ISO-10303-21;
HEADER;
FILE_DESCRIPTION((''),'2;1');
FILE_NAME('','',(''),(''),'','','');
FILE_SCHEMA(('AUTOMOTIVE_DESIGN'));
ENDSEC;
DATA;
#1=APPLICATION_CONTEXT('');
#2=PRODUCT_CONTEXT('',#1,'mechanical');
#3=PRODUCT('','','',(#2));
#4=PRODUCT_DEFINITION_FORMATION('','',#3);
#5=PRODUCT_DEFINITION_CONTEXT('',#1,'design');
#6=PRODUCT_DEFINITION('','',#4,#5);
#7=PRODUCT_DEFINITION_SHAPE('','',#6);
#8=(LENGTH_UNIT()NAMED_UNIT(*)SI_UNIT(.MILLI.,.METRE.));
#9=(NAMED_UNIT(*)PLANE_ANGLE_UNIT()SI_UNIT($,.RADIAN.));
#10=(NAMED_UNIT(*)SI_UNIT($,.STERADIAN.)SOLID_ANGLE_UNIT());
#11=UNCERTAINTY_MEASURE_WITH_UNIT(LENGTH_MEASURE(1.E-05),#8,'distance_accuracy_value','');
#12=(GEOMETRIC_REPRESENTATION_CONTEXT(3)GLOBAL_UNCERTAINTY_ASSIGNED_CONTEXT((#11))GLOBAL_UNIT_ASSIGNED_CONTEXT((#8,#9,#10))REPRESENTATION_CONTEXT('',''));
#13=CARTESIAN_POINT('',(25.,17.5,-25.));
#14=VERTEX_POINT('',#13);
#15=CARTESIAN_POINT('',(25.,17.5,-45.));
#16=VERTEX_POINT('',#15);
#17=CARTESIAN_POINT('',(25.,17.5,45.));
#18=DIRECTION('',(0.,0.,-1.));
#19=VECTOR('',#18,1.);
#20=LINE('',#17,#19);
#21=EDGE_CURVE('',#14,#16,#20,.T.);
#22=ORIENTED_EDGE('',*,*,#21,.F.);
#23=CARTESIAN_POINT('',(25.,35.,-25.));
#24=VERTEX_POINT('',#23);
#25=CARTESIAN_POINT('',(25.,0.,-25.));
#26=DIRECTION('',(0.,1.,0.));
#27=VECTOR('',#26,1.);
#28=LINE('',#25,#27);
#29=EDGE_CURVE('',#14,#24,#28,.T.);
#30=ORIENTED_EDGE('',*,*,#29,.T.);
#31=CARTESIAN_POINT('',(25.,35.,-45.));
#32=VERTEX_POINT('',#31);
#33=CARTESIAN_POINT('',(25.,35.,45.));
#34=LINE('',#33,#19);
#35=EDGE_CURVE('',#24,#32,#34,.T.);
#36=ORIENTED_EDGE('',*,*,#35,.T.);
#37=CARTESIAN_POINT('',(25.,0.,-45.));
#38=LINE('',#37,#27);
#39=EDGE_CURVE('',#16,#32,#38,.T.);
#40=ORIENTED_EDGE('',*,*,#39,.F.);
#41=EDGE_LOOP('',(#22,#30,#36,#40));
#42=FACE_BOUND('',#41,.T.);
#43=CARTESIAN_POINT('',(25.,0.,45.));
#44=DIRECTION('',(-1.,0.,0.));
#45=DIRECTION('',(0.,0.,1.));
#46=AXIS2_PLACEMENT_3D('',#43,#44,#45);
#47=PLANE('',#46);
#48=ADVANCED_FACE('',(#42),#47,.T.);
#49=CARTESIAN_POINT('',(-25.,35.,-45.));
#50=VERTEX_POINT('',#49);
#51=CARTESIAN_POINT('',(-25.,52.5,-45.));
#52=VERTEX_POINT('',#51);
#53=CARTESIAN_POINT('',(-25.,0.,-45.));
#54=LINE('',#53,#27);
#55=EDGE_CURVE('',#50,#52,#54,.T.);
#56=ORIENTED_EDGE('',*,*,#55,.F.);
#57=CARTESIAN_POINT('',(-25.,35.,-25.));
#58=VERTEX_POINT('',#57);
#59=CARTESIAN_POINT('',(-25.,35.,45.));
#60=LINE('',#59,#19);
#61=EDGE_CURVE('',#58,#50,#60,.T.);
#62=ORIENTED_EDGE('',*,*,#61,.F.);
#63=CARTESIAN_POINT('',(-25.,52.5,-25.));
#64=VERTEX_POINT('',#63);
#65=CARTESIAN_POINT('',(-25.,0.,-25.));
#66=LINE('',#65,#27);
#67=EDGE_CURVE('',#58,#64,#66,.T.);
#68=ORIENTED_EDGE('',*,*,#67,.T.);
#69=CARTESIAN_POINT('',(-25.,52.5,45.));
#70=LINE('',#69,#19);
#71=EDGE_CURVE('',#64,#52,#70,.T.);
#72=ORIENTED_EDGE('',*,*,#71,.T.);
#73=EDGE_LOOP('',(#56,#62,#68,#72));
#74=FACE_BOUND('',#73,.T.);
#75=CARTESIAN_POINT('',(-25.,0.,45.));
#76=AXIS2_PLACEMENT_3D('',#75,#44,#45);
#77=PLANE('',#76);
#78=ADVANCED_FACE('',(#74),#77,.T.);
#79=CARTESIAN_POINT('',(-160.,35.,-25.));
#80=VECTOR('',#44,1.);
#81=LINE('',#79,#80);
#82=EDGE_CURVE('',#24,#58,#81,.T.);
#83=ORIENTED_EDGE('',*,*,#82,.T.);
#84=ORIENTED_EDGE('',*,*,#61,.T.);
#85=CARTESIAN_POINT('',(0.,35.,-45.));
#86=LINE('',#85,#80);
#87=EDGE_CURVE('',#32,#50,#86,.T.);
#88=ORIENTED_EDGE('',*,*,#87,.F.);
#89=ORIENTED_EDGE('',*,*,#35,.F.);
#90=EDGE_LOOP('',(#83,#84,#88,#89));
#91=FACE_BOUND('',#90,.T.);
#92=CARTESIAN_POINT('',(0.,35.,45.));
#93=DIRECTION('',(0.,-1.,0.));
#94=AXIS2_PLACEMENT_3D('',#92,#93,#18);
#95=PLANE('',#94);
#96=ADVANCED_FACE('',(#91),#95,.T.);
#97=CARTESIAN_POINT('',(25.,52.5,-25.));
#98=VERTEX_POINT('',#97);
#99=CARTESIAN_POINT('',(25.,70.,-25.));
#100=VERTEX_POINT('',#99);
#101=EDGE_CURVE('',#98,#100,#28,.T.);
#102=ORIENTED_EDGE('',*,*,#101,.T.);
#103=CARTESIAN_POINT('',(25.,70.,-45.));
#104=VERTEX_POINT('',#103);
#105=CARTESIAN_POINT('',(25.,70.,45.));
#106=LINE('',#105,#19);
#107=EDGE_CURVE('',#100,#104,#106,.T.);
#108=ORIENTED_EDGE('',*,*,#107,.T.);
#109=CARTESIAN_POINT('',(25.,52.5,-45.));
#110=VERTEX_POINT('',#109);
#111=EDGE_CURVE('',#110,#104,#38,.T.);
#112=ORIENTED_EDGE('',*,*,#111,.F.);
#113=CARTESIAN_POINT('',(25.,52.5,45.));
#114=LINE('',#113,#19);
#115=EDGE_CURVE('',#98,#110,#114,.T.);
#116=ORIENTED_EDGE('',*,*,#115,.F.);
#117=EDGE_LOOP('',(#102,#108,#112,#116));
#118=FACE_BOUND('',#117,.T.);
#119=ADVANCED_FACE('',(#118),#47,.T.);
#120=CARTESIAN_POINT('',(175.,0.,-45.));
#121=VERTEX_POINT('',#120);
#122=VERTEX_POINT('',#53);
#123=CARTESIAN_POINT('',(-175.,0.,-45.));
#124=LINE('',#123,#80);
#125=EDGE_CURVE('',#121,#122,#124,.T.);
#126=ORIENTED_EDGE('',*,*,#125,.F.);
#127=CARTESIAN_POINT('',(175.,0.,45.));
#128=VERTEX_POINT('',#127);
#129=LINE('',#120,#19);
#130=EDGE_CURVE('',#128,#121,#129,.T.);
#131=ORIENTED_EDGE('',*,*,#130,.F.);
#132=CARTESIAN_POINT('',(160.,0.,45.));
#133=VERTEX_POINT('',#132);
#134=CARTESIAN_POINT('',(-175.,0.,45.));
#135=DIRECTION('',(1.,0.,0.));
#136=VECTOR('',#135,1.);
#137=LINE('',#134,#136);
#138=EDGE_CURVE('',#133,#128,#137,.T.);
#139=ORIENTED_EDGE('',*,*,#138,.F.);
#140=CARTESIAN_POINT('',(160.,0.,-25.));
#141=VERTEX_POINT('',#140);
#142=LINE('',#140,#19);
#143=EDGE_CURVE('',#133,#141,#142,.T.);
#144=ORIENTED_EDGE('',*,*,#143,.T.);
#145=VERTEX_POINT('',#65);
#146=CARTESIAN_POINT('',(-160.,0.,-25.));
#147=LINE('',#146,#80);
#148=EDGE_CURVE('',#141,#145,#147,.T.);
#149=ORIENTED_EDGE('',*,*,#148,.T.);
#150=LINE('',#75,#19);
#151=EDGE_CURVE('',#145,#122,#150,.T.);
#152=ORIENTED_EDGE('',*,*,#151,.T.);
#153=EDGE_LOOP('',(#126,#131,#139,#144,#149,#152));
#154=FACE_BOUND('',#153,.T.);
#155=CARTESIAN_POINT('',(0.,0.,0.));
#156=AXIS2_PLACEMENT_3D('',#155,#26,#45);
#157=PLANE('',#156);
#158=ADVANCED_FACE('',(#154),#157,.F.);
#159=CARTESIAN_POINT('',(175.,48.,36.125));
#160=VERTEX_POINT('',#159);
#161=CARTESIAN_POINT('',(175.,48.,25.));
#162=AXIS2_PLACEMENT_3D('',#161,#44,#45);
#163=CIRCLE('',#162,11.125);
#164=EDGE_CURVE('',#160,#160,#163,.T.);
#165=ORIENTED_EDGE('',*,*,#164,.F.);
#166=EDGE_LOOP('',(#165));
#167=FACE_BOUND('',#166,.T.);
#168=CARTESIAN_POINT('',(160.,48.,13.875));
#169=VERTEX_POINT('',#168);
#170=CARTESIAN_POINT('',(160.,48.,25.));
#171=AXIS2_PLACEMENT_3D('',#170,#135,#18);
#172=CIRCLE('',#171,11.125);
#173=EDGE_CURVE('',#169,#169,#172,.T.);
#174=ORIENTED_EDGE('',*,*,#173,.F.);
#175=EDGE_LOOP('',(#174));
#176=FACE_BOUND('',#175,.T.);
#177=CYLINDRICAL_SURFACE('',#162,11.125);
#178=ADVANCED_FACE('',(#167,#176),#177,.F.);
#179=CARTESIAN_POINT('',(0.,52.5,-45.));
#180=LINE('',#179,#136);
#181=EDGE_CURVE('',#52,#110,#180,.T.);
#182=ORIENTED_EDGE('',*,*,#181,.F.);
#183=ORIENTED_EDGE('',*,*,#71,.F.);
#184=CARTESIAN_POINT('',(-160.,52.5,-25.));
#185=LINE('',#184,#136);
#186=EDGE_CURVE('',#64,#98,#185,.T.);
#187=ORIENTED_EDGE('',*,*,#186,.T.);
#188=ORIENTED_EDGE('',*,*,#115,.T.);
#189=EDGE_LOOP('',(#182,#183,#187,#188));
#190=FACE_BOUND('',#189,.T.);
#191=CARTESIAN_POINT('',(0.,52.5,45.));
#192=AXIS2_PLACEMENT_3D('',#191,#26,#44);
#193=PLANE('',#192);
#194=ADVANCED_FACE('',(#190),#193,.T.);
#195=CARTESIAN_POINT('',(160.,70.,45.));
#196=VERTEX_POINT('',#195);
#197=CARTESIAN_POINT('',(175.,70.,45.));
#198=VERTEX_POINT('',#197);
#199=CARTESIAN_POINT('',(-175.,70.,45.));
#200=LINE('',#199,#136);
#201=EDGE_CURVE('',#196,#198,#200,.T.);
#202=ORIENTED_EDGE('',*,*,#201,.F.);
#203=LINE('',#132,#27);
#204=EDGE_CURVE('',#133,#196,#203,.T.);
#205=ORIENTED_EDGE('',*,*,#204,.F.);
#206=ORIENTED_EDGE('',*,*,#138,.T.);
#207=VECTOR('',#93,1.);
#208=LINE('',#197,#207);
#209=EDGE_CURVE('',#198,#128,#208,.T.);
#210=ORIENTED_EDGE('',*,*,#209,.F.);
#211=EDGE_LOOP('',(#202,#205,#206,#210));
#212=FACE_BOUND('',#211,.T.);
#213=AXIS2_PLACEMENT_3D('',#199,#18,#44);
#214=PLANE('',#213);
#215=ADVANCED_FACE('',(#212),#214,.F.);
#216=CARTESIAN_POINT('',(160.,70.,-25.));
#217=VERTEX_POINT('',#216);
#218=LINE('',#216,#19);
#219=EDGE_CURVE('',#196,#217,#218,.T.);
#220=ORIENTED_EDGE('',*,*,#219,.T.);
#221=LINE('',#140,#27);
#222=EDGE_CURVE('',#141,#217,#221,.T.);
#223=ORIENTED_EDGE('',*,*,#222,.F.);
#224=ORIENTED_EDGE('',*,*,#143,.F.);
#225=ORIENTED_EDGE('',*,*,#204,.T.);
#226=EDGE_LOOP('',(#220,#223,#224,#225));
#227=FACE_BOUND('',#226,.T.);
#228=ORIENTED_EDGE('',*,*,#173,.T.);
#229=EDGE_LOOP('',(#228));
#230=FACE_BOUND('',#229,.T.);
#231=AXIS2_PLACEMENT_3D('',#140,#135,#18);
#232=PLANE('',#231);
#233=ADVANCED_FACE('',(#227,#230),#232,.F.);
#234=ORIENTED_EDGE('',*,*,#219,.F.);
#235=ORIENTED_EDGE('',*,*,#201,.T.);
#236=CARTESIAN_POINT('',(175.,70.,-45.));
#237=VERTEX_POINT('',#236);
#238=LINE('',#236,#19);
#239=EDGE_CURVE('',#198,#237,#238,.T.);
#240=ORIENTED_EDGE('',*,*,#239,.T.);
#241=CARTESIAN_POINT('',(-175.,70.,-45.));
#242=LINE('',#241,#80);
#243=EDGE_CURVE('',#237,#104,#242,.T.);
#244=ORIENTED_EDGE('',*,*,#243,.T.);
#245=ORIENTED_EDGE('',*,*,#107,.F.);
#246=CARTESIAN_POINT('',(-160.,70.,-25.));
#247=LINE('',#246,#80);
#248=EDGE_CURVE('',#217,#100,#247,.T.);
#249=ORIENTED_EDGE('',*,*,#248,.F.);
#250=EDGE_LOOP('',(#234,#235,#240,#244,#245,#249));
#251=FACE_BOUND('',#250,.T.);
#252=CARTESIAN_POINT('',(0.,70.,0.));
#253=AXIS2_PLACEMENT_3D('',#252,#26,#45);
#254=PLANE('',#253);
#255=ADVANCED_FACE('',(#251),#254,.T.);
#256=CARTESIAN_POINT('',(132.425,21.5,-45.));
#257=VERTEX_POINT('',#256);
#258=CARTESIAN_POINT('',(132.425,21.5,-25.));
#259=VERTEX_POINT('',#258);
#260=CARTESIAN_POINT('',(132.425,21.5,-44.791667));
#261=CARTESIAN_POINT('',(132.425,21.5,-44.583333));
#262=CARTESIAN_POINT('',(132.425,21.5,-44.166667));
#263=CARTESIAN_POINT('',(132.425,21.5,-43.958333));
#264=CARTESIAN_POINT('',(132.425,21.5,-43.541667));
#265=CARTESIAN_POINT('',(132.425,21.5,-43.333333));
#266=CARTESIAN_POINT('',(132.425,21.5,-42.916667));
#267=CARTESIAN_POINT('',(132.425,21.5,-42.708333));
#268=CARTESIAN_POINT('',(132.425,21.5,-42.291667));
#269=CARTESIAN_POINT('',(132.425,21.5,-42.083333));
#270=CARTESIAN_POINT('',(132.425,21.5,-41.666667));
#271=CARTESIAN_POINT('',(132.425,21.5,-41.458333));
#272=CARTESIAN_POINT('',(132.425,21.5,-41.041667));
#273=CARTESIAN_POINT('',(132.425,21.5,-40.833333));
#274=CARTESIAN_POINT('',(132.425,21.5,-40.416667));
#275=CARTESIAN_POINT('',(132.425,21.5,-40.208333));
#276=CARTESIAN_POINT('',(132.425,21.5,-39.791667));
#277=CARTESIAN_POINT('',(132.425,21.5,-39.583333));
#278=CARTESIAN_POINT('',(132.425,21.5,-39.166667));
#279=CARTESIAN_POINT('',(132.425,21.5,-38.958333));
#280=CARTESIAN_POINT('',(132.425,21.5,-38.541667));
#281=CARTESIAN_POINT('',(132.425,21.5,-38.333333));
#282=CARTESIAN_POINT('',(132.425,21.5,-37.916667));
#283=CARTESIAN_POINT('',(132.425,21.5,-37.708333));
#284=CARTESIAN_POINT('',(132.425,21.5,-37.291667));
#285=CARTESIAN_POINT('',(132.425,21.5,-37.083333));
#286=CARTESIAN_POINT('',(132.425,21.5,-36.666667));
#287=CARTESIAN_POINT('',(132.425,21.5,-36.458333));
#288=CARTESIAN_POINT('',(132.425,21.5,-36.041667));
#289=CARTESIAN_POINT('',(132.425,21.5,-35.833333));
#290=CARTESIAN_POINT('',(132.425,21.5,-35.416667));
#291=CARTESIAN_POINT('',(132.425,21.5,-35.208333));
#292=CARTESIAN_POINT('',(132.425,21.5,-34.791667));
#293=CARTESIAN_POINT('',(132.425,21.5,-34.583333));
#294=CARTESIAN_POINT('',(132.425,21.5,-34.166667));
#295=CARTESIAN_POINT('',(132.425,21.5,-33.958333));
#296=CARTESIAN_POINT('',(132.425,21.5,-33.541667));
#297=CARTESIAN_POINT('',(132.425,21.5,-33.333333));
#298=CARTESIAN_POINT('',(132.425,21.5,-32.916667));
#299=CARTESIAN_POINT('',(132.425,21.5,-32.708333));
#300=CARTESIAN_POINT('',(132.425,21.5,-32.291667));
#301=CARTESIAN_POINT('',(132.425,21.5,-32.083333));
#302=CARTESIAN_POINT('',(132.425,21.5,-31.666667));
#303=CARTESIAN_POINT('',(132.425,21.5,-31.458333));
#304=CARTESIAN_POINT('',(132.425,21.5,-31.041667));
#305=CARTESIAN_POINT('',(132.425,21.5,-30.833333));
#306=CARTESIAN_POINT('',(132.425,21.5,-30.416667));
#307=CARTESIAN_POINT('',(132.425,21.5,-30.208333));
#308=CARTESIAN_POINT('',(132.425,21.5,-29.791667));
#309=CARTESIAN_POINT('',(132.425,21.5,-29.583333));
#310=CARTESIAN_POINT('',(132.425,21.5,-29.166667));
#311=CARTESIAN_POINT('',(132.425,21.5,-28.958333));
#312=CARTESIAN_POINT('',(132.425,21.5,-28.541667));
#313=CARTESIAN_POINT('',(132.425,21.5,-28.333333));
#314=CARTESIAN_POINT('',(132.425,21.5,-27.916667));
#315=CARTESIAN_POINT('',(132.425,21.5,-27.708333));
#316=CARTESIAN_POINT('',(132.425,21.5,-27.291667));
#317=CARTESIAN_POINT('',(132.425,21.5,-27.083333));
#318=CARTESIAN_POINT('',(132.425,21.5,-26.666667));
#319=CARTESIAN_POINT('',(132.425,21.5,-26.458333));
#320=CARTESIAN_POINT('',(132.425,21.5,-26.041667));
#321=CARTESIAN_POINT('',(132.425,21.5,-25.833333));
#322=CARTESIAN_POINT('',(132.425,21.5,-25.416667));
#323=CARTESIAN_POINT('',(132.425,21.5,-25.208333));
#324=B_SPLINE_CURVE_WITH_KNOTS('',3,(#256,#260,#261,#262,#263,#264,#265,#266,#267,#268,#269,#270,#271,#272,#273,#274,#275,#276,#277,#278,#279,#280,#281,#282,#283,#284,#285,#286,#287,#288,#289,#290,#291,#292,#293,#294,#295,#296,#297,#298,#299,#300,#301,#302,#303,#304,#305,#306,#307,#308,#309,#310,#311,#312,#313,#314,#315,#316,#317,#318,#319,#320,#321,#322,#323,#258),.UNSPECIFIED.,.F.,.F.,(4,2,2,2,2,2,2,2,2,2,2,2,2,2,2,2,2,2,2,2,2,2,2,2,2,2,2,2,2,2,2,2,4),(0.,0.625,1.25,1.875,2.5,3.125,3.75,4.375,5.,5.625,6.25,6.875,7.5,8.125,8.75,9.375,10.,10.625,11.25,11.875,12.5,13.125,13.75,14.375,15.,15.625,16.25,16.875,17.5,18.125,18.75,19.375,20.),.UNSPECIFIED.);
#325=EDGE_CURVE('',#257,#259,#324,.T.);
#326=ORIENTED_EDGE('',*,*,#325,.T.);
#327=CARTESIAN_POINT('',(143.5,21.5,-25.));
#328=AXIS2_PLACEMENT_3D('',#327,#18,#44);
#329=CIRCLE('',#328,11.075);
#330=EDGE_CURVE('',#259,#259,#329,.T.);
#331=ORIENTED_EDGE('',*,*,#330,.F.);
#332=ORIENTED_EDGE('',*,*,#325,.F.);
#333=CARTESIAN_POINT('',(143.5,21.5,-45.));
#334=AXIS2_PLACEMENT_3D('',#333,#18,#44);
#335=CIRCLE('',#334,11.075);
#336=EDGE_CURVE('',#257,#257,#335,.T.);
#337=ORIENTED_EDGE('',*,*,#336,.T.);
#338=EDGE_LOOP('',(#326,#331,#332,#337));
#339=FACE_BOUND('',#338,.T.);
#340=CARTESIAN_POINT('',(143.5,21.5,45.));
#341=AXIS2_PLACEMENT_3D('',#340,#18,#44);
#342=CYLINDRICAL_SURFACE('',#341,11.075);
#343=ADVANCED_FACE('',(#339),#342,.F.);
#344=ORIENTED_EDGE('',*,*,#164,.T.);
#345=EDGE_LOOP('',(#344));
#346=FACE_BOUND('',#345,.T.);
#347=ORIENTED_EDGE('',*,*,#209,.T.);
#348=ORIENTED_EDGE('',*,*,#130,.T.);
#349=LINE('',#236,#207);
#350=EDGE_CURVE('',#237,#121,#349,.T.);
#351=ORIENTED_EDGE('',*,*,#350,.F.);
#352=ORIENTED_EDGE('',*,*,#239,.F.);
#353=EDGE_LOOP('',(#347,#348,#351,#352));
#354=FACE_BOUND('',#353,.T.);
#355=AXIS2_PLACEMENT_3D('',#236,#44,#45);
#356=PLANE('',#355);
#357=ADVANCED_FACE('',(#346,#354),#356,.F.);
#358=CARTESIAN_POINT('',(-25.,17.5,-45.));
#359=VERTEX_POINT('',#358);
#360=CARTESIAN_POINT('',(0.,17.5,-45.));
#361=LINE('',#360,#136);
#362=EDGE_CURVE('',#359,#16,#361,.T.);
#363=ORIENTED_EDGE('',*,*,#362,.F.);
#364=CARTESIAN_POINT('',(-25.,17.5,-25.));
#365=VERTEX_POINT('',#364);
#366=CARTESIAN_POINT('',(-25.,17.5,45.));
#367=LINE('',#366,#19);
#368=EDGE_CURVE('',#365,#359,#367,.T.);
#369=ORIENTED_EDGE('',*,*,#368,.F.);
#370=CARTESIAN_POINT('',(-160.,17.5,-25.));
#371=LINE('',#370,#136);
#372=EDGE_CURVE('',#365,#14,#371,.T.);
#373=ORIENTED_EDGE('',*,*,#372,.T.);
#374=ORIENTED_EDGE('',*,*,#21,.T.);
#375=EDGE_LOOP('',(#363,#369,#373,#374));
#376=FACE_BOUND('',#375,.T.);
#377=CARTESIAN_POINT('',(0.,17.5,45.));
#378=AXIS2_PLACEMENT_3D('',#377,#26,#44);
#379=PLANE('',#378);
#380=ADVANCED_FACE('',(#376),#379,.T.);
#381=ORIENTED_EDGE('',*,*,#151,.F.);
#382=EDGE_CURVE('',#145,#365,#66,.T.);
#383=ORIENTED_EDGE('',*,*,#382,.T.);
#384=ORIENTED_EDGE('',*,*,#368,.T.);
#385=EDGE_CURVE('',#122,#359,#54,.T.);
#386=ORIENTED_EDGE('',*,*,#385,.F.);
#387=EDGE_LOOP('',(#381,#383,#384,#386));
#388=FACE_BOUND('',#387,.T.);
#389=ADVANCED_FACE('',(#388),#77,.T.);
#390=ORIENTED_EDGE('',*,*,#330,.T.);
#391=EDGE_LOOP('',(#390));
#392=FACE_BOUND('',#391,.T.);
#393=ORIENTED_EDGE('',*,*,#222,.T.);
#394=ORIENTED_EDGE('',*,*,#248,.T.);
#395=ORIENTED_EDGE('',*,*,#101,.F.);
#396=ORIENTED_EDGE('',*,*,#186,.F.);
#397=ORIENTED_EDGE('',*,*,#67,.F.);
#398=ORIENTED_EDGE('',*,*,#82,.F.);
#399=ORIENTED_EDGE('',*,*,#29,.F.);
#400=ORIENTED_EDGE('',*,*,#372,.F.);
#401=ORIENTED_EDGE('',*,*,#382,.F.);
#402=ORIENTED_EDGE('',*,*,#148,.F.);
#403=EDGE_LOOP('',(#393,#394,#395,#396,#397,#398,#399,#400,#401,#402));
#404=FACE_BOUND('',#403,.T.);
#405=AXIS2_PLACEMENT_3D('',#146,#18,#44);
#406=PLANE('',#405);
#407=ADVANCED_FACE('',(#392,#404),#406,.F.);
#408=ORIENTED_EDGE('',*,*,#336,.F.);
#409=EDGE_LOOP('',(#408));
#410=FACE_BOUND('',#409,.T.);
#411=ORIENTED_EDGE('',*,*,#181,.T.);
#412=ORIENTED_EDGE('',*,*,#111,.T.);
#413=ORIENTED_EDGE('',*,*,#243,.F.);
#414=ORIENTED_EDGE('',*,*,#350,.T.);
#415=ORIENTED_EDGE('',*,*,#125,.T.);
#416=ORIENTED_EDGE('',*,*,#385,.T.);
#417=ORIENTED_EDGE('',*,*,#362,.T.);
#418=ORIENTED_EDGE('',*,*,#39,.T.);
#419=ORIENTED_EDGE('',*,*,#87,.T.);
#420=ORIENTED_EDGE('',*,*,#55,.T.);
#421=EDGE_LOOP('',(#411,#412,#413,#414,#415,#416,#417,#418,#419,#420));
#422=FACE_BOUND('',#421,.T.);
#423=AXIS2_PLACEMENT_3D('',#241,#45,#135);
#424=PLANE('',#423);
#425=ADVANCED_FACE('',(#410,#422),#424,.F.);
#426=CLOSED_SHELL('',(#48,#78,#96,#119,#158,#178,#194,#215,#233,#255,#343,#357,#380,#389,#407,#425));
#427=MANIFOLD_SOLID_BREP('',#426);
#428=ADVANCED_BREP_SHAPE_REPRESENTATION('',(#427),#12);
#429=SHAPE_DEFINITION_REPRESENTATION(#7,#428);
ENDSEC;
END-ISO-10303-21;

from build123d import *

# Parameters (mm, degrees)
CROQUIS1_W              = 350
CROQUIS1_H              = 90
SALIENTE_EXTRUIR1_DEPTH = 70
CROQUIS2_W              = 320
CROQUIS2_H              = 70
CORTAR_EXTRUIR1_DEPTH   = 194.778223751
CROQUIS3_R              = 11.125
CORTAR_EXTRUIR2_DEPTH   = 360.756862339
CROQUIS8_R              = 11.075
CORTAR_EXTRUIR3_DEPTH   = 209.865985742
CROQUIS9_R              = 11.075
CORTAR_EXTRUIR5_DEPTH   = 209.865985742


with BuildPart() as part:
    # Croquis1 → Saliente-Extruir1 (new body)
    with BuildSketch(Plane(origin=(0, 0, 0), x_dir=(1, 0, 0), z_dir=(0, 1, 0))):
        Rectangle(CROQUIS1_W, CROQUIS1_H)
    extrude(amount=SALIENTE_EXTRUIR1_DEPTH)

    # Croquis2 → Cortar-Extruir1 (cut, through all)
    with BuildSketch(Plane(origin=(0, 70, 0), x_dir=(1, 0, 0), z_dir=(0, 1, 0))):
        with Locations((0, -10)):
            Rectangle(CROQUIS2_W, CROQUIS2_H)
    extrude(amount=-CORTAR_EXTRUIR1_DEPTH, mode=Mode.SUBTRACT)

    # Croquis3 → Cortar-Extruir2 (cut, through all)
    with BuildSketch(Plane.ZY.offset(175)):
        with Locations((25, 48)):
            Circle(CROQUIS3_R)
    extrude(amount=-CORTAR_EXTRUIR2_DEPTH, mode=Mode.SUBTRACT)

    # Croquis8 → Cortar-Extruir3 (cut, through all)
    with BuildSketch(Plane(origin=(0, 0, -45), x_dir=(-1, 0, 0), z_dir=(0, 0, -1))):
        with Locations((-143.5, 21.5)):
            Circle(CROQUIS8_R)
    cortar_extruir3 = extrude(amount=-CORTAR_EXTRUIR3_DEPTH, mode=Mode.SUBTRACT)

    # Simetría1: Cortar-Extruir3 across plane
    add(cortar_extruir3.mirror(Plane(origin=(0, 0, 0), x_dir=(0, 0, 1), z_dir=(1, 0, 0))), mode=Mode.SUBTRACT)

    # Croquis9 → Cortar-Extruir5 (cut, through all)
    with BuildSketch(Plane(origin=(0, 0, -45), x_dir=(-1, 0, 0), z_dir=(0, 0, -1))):
        Polygon((-25, 35), (-25, 17.5), (25, 17.5), (25, 0), (175, 0), (175, 70), (-25, 70), (-25, 52.5), (25, 52.5), (25, 35), align=None)
        with Locations((143.5, 21.5)):
            Circle(CROQUIS9_R, mode=Mode.SUBTRACT)
    extrude(amount=-CORTAR_EXTRUIR5_DEPTH, mode=Mode.SUBTRACT)


solid = part.part
